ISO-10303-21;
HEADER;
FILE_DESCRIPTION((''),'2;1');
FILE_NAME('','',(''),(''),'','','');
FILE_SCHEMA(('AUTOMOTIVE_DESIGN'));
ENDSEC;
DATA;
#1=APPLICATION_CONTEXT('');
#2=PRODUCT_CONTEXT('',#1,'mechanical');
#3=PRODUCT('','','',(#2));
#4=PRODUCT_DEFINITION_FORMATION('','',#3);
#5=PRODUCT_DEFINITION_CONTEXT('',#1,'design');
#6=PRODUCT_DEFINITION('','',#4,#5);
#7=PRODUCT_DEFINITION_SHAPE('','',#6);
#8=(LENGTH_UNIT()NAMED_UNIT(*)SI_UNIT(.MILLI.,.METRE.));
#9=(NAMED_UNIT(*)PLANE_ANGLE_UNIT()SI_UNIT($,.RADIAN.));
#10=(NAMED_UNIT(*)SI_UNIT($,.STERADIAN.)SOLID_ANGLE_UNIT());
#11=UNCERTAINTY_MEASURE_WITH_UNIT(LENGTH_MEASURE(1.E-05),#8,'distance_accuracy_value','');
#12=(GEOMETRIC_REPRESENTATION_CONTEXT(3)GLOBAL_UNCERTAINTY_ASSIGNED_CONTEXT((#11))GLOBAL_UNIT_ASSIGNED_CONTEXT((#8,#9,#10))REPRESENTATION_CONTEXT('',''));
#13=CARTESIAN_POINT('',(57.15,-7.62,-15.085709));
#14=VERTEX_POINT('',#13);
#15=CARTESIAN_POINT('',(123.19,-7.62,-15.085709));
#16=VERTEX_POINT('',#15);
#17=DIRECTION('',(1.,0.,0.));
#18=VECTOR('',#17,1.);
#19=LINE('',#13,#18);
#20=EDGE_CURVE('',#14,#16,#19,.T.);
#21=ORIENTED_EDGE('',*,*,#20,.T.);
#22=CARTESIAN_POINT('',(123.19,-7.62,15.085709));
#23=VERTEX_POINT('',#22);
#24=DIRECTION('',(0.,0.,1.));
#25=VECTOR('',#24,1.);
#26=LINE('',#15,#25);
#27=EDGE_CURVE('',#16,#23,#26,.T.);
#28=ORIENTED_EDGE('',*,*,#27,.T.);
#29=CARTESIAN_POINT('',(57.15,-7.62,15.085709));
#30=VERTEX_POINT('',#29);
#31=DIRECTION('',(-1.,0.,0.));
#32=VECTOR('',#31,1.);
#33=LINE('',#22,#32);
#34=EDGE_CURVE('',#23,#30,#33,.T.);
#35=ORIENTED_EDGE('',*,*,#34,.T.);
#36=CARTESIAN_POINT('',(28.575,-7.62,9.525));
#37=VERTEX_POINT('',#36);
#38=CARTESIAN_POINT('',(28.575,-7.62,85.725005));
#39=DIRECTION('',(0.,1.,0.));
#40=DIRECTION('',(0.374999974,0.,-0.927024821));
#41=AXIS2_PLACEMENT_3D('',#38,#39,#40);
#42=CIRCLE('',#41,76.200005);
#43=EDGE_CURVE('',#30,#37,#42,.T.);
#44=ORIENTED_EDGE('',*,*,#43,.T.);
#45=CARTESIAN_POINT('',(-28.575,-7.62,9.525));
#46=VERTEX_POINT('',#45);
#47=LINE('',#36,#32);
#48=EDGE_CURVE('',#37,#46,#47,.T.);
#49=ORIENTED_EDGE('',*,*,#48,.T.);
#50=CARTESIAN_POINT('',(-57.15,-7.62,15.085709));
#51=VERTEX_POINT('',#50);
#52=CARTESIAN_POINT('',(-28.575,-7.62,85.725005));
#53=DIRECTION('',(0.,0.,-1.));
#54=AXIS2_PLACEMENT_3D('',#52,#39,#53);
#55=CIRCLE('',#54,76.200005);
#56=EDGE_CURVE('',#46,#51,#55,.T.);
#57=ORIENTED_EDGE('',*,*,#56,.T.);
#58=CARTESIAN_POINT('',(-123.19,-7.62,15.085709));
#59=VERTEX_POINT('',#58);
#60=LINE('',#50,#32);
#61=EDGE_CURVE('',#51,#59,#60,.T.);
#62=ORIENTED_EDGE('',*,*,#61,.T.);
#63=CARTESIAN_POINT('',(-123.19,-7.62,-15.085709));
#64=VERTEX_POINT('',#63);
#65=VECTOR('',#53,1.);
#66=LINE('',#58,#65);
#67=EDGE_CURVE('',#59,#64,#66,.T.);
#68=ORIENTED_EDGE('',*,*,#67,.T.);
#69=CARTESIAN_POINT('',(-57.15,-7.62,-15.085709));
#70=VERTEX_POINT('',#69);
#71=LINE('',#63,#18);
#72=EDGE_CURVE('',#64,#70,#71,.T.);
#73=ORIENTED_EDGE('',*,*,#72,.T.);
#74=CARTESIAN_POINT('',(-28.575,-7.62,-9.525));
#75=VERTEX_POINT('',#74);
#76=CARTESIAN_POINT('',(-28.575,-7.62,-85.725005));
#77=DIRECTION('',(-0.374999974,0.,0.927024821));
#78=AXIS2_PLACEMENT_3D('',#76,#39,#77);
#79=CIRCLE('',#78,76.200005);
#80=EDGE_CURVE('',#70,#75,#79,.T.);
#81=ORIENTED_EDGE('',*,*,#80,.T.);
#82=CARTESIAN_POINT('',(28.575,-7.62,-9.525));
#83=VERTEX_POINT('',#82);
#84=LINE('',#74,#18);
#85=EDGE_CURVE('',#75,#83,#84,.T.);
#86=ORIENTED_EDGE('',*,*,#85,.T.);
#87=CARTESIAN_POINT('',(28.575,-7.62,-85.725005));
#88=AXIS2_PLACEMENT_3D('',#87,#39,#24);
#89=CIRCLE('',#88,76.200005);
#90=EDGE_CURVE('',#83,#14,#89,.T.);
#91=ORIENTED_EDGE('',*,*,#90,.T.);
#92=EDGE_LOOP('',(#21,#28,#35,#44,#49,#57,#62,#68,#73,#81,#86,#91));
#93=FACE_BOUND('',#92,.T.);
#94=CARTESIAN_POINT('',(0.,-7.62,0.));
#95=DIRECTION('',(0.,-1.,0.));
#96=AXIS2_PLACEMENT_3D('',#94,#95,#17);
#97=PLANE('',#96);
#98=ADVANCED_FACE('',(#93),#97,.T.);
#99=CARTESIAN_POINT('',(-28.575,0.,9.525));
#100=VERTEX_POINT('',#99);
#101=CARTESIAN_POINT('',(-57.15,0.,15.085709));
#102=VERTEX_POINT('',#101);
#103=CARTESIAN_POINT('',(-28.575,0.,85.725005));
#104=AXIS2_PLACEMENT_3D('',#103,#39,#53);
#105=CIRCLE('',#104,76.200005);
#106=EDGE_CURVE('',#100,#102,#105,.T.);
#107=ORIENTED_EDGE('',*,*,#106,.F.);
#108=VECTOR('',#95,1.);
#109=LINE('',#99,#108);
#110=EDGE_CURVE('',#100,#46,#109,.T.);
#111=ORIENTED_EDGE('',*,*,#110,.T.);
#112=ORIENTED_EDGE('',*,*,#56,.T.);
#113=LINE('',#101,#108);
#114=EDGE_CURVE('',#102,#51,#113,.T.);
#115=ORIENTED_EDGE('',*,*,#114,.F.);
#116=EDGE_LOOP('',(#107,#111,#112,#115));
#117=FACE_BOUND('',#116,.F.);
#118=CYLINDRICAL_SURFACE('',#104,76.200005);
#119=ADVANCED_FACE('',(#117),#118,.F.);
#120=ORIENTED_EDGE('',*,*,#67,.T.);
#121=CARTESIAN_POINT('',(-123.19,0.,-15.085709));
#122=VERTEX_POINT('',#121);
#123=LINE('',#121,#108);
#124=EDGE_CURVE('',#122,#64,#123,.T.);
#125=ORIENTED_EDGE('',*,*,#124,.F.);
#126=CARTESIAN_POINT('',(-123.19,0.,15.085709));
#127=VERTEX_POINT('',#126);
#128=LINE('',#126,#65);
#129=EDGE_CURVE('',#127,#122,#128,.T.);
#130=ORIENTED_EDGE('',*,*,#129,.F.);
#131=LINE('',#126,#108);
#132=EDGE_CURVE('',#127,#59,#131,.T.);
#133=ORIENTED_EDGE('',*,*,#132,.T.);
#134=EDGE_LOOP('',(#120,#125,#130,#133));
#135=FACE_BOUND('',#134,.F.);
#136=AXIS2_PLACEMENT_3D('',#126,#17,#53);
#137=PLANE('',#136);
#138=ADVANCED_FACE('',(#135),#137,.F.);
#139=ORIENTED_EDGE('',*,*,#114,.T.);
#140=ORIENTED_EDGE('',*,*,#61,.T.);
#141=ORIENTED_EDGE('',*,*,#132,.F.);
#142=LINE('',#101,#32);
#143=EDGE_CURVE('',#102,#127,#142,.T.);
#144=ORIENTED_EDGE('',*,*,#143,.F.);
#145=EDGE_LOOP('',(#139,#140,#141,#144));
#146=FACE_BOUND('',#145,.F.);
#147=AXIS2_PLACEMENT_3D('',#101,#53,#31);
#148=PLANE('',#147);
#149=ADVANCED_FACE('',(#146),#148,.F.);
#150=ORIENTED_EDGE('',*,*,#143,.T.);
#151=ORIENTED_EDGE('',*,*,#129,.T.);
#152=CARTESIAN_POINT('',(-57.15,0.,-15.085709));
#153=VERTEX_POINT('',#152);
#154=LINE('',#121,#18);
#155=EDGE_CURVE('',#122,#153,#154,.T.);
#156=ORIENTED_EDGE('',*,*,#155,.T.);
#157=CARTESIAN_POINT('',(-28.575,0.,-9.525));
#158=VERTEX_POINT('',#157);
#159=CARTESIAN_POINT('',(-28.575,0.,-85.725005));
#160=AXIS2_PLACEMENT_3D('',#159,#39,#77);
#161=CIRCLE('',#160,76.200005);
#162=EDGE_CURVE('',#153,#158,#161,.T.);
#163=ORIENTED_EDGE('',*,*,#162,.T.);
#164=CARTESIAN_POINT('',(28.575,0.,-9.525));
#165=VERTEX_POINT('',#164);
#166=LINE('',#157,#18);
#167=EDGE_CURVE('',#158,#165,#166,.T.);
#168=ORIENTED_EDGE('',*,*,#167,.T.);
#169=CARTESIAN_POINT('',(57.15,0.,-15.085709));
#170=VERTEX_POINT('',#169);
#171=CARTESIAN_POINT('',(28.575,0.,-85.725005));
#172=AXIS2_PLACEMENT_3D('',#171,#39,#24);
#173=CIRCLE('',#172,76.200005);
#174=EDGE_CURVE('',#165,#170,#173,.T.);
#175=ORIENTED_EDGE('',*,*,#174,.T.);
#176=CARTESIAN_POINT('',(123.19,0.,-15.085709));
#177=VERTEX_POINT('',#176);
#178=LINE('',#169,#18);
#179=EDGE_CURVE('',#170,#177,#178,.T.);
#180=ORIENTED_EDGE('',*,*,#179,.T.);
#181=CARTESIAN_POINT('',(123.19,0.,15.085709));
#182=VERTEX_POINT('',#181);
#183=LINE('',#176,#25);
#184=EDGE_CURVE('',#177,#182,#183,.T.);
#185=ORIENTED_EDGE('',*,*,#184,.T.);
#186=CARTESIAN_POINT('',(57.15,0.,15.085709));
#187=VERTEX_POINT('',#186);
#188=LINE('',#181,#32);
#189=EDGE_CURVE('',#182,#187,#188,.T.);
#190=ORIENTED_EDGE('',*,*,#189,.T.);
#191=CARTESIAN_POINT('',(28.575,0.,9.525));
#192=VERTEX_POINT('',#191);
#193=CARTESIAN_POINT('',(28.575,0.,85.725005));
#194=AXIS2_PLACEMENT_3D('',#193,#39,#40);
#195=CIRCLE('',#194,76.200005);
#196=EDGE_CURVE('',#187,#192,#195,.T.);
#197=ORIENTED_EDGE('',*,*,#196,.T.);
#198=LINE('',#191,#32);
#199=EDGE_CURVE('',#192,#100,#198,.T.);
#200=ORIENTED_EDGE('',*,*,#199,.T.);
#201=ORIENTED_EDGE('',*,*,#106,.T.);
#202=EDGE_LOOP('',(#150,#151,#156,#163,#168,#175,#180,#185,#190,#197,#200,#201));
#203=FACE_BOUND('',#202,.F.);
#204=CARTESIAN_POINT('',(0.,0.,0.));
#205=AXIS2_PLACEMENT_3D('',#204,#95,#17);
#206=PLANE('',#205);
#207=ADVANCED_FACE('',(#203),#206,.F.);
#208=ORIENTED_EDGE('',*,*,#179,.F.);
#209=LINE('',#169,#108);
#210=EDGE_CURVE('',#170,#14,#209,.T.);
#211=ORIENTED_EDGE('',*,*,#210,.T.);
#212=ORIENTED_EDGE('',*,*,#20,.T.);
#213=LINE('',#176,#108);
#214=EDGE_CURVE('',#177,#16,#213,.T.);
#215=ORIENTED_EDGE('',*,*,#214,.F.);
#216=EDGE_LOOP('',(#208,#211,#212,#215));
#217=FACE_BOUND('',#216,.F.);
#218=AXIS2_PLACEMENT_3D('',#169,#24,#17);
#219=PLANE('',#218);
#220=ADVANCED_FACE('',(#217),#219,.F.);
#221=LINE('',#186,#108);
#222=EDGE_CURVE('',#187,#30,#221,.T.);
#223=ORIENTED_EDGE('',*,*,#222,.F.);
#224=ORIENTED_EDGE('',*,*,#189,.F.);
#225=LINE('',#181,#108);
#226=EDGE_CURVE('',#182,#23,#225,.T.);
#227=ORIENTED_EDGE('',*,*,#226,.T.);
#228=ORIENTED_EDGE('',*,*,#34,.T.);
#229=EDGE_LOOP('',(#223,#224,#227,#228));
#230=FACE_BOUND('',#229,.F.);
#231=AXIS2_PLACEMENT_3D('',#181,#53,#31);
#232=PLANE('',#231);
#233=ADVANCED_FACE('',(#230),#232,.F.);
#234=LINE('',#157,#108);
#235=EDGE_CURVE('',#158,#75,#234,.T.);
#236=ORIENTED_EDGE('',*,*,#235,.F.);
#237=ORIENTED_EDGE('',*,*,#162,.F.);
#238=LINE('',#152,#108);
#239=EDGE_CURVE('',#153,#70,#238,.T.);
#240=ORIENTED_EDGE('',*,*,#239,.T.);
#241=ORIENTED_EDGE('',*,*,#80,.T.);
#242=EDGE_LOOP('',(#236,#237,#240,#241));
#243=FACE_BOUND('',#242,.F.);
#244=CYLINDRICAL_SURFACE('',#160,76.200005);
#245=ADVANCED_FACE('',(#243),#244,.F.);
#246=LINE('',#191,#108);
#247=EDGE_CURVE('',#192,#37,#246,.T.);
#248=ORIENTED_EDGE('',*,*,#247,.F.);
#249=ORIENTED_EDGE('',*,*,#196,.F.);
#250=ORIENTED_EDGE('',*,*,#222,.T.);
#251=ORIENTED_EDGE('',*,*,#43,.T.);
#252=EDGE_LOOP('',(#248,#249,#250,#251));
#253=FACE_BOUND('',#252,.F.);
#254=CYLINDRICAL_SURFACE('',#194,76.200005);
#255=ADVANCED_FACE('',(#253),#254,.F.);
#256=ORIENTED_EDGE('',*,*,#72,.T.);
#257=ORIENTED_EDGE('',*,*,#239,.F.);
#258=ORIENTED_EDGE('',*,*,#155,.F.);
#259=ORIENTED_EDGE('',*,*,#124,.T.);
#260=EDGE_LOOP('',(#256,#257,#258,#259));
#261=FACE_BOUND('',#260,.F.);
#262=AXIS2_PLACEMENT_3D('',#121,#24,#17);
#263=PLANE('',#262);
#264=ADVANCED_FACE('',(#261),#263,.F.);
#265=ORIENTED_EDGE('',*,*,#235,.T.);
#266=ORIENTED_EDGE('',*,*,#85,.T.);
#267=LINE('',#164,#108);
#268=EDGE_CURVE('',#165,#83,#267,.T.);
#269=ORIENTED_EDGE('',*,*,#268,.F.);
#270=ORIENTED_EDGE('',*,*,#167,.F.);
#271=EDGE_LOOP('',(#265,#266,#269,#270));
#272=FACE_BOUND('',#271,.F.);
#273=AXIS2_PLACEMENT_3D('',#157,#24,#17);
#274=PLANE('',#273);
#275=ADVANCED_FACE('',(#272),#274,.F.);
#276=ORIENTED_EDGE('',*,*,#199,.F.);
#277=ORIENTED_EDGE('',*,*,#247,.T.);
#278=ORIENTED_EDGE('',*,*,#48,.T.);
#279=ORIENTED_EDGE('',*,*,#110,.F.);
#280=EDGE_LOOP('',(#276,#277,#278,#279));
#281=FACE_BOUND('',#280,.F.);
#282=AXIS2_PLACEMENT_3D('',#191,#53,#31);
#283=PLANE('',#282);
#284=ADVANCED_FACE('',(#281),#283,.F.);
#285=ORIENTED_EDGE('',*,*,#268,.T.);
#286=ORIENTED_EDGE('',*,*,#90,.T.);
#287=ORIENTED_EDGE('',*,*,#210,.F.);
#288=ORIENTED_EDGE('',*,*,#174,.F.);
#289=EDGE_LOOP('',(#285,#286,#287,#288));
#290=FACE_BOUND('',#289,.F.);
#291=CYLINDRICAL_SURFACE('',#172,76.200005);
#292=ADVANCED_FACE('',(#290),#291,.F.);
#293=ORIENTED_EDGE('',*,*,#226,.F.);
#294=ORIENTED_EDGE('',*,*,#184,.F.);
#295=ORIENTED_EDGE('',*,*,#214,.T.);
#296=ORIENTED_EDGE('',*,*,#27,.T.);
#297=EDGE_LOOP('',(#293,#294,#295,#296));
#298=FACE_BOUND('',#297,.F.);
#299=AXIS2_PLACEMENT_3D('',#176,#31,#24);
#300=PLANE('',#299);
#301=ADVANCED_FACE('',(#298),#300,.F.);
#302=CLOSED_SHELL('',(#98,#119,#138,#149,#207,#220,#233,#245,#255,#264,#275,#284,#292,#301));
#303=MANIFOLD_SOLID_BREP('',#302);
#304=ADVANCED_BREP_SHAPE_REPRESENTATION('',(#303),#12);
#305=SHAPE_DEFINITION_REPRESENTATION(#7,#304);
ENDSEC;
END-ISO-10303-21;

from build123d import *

# Parameters (mm, degrees)
F1_DEPTH = 7.62


with BuildPart() as f1:
    # F0 (on Front) → F1 (new body)
    with BuildSketch(Plane.XZ):
        with BuildLine():
            Line((28.575, 9.525), (0, 9.525))
            Line((0, 9.525), (-28.575, 9.525))
            ThreePointArc((-28.575, 9.525), (-43.130515, 10.928095), (-57.15, 15.085709))
            Line((-57.15, 15.085709), (-123.19, 15.085709))
            Line((-123.19, 15.085709), (-123.19, -15.085709))
            Line((-123.19, -15.085709), (-57.15, -15.085709))
            ThreePointArc((-57.15, -15.085709), (-43.130515, -10.928095), (-28.575, -9.525))
            Line((-28.575, -9.525), (0, -9.525))
            Line((0, -9.525), (28.575, -9.525))
            ThreePointArc((28.575, -9.525), (43.130515, -10.928095), (57.15, -15.085709))
            Line((57.15, -15.085709), (123.19, -15.085709))
            Line((123.19, -15.085709), (123.19, 15.085709))
            Line((123.19, 15.085709), (57.15, 15.085709))
            ThreePointArc((57.15, 15.085709), (43.130515, 10.928095), (28.575, 9.525))
        make_face()
    extrude(amount=F1_DEPTH)


solid = f1.part
